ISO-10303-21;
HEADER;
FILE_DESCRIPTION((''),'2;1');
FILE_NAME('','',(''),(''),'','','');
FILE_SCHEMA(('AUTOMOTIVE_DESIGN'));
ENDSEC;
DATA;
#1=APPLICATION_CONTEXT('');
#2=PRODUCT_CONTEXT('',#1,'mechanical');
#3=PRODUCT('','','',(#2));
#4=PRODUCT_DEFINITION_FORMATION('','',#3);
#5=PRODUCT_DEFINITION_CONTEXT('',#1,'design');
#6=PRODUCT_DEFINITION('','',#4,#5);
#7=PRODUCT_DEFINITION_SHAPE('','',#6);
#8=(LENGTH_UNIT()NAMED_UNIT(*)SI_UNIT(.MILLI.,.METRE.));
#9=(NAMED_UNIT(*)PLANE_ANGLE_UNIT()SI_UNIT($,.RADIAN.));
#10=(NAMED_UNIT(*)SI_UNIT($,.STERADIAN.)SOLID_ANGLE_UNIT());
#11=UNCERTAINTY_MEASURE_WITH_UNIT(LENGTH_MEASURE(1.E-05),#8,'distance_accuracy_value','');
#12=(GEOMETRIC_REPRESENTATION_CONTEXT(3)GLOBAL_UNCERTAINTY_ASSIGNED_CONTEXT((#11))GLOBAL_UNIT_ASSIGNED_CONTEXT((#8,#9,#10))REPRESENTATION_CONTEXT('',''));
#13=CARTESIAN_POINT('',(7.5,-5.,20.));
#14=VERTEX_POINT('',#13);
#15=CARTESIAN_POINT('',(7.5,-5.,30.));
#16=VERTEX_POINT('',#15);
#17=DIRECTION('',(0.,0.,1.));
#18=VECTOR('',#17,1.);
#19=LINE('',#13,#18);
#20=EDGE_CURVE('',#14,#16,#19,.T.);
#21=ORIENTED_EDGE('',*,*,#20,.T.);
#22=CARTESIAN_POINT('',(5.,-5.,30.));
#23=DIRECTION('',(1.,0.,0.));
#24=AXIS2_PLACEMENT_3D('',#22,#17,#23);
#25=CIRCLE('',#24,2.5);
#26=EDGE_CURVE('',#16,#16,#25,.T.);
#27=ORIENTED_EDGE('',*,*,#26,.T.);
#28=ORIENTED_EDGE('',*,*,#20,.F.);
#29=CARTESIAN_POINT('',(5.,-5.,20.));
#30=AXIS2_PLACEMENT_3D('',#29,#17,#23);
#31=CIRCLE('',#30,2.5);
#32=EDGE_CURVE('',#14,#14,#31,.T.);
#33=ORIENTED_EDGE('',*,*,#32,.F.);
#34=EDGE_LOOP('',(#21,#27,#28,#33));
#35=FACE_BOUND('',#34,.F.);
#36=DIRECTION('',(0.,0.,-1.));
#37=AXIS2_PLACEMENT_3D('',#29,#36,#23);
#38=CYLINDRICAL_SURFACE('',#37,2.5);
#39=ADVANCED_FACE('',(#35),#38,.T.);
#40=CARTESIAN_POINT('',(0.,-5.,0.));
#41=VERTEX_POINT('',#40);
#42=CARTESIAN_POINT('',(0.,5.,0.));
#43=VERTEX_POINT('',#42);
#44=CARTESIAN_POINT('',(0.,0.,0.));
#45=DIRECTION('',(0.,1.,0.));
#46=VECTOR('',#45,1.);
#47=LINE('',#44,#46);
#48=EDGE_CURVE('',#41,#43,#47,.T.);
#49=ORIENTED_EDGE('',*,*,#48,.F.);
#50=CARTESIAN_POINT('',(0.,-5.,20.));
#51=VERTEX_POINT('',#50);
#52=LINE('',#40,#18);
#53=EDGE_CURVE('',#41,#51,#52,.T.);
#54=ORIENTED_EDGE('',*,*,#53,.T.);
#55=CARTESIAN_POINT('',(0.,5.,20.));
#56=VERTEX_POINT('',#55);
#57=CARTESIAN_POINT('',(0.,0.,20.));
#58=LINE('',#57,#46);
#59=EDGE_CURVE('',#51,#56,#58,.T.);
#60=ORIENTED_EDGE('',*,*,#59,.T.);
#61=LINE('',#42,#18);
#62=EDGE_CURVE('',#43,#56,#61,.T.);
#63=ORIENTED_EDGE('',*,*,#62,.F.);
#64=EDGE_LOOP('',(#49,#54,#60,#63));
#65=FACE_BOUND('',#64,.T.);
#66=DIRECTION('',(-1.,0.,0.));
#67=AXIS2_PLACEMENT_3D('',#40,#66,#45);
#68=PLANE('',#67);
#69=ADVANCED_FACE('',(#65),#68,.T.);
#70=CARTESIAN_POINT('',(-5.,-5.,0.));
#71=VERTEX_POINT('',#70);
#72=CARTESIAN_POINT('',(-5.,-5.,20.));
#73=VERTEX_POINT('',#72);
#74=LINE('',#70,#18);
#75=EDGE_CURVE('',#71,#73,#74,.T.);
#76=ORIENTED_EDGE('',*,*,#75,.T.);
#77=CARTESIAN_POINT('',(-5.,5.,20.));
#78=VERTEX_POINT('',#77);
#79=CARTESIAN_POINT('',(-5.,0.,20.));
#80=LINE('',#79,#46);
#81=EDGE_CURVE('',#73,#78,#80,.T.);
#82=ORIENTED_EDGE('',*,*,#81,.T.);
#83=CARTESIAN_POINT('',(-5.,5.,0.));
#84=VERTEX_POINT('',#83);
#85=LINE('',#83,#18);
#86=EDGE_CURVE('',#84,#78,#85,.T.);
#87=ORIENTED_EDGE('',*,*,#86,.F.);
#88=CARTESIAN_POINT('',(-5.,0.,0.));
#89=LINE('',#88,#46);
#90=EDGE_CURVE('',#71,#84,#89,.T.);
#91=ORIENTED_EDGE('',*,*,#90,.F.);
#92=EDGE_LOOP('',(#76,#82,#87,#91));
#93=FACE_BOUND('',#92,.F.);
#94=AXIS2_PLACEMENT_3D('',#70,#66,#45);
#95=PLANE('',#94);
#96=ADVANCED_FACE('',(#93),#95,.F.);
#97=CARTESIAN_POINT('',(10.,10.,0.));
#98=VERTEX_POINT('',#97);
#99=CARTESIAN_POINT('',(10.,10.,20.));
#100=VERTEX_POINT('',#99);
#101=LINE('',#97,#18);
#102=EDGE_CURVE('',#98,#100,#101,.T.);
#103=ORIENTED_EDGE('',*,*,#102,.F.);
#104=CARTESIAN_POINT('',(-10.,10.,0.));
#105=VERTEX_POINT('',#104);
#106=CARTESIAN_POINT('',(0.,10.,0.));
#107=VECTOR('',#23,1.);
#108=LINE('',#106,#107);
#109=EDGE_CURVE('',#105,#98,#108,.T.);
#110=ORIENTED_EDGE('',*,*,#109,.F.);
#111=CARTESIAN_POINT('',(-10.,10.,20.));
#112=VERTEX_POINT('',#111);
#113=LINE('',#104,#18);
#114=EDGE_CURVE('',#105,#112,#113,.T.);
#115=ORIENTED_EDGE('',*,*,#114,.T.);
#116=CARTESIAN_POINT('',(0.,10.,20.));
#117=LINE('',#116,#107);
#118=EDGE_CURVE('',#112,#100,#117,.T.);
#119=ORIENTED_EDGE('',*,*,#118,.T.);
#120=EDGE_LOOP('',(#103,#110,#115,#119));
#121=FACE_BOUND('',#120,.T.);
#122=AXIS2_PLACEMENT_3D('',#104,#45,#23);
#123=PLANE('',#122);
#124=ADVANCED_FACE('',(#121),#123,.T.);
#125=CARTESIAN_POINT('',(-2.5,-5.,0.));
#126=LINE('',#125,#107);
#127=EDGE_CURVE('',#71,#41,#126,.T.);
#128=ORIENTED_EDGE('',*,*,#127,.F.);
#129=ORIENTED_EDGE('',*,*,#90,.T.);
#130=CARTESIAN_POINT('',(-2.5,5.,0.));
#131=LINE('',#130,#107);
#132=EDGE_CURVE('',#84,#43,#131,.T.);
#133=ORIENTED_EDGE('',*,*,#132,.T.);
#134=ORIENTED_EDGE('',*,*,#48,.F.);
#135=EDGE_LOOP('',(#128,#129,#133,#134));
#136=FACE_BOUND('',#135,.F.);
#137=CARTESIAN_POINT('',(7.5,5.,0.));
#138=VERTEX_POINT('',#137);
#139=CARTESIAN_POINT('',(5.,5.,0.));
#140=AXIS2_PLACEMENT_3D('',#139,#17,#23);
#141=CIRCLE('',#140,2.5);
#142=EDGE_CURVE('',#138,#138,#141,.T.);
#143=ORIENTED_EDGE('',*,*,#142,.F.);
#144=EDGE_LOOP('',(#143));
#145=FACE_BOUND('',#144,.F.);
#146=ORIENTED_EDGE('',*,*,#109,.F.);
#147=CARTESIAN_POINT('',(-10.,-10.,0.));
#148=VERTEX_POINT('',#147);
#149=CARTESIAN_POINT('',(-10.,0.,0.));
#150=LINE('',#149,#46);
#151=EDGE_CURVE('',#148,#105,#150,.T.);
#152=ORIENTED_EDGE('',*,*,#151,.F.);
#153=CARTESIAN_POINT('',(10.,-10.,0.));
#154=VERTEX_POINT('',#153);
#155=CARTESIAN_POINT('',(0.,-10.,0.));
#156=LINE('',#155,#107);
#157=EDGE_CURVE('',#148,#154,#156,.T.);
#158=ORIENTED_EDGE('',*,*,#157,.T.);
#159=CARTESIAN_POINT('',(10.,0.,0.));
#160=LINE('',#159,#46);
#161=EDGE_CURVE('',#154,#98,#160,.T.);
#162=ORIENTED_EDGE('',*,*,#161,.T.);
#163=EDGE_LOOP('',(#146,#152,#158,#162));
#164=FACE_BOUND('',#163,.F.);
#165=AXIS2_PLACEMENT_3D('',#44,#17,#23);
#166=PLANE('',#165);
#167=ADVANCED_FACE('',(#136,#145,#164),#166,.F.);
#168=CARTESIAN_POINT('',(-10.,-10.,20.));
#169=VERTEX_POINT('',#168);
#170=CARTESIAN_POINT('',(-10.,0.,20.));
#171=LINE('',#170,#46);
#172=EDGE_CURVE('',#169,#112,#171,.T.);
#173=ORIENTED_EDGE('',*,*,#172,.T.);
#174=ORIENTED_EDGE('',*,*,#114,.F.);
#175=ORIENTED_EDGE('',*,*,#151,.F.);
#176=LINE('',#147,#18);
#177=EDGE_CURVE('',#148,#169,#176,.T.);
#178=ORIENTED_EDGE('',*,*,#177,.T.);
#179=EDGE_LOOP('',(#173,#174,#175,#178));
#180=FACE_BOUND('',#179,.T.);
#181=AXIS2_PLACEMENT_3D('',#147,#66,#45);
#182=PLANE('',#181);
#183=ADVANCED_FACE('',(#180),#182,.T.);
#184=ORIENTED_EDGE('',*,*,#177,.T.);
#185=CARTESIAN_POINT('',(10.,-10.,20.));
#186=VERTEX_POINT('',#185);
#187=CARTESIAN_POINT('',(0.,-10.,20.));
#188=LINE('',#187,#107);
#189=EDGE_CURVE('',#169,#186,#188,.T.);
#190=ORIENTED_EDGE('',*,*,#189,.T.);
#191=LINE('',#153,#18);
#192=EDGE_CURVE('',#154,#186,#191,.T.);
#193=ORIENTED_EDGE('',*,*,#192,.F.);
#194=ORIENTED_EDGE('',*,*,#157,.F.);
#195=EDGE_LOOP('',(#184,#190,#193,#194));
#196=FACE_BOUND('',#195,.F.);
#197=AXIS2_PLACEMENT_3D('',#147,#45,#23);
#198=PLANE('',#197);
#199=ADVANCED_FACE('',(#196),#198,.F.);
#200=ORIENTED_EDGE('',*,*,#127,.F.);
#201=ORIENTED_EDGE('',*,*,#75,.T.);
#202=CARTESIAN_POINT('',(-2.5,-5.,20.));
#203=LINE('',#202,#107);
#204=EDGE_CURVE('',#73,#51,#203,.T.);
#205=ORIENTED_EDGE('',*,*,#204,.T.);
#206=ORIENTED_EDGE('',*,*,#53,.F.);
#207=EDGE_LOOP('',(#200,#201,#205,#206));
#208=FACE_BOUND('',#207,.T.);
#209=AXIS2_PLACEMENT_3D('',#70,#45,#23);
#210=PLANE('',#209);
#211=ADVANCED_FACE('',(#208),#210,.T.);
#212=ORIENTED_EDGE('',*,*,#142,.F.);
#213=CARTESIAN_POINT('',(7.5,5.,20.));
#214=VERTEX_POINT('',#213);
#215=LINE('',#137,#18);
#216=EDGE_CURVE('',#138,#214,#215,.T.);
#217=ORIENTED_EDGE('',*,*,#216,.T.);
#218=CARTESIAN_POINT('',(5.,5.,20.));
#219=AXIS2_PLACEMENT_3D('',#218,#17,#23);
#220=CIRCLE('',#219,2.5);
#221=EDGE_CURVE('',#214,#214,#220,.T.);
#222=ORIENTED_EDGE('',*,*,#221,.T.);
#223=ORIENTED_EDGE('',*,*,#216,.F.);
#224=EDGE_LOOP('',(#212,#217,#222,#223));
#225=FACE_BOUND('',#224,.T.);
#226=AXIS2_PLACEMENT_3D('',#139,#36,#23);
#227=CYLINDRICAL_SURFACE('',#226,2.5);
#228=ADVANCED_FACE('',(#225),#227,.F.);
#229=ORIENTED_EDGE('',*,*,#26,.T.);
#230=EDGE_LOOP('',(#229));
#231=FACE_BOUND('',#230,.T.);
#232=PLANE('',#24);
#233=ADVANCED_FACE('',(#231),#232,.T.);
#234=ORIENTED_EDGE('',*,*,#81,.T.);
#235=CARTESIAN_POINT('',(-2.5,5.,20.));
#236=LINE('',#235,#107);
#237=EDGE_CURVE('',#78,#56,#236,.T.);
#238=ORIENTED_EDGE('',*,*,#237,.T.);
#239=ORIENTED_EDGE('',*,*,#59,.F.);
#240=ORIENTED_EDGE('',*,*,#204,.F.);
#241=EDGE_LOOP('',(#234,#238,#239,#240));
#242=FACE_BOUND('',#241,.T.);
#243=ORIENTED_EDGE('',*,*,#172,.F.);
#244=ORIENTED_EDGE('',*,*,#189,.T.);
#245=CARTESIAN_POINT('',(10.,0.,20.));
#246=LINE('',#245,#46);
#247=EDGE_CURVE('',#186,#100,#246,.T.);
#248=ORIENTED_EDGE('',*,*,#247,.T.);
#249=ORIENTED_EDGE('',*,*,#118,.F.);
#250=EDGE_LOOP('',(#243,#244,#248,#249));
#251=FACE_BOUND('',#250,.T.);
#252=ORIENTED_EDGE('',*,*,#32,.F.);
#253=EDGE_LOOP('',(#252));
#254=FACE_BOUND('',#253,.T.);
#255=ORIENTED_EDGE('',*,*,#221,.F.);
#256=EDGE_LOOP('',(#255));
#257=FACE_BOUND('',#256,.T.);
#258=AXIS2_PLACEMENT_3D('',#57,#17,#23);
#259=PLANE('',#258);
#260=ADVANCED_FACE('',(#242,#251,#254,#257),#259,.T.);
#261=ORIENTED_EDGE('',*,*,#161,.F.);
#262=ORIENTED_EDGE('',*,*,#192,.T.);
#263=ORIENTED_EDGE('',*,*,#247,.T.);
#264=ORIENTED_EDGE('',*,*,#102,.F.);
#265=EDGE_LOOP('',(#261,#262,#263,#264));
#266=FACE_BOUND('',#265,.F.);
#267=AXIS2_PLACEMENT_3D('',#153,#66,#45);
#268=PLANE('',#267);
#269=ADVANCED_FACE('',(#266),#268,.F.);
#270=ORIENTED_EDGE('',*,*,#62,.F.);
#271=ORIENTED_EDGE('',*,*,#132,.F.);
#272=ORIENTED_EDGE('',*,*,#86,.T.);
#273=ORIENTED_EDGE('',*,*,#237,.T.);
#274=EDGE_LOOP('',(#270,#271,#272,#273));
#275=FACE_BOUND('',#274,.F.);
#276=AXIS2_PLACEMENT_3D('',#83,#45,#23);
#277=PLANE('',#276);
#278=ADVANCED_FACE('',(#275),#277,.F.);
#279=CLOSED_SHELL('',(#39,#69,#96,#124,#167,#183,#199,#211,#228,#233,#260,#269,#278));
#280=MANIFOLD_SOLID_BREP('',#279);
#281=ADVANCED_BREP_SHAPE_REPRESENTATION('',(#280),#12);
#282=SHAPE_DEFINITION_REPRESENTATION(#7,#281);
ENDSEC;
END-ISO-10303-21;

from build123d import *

# Parameters (mm, degrees)
F0_W     = 20
F0_H     = 20
F0_W_2   = 5
F0_H_2   = 10
F0_R     = 2.5
F1_DEPTH = 20
F2_R     = 2.5
F3_DEPTH = 10


with BuildPart() as f1:
    # F0 (on Top) → F1 (new body)
    with BuildSketch(Plane.XY):
        Rectangle(F0_W, F0_H)
        with Locations((-2.5, 0)):
            Rectangle(F0_W_2, F0_H_2, mode=Mode.SUBTRACT)
        with Locations((5, 5)):
            Circle(F0_R, mode=Mode.SUBTRACT)
    extrude(amount=F1_DEPTH)

    # F2 (on face) → F3 (join)
    with BuildSketch(Plane.XY.offset(20)):
        with Locations((5, -5)):
            Circle(F2_R)
    extrude(amount=F3_DEPTH)


solid = f1.part
